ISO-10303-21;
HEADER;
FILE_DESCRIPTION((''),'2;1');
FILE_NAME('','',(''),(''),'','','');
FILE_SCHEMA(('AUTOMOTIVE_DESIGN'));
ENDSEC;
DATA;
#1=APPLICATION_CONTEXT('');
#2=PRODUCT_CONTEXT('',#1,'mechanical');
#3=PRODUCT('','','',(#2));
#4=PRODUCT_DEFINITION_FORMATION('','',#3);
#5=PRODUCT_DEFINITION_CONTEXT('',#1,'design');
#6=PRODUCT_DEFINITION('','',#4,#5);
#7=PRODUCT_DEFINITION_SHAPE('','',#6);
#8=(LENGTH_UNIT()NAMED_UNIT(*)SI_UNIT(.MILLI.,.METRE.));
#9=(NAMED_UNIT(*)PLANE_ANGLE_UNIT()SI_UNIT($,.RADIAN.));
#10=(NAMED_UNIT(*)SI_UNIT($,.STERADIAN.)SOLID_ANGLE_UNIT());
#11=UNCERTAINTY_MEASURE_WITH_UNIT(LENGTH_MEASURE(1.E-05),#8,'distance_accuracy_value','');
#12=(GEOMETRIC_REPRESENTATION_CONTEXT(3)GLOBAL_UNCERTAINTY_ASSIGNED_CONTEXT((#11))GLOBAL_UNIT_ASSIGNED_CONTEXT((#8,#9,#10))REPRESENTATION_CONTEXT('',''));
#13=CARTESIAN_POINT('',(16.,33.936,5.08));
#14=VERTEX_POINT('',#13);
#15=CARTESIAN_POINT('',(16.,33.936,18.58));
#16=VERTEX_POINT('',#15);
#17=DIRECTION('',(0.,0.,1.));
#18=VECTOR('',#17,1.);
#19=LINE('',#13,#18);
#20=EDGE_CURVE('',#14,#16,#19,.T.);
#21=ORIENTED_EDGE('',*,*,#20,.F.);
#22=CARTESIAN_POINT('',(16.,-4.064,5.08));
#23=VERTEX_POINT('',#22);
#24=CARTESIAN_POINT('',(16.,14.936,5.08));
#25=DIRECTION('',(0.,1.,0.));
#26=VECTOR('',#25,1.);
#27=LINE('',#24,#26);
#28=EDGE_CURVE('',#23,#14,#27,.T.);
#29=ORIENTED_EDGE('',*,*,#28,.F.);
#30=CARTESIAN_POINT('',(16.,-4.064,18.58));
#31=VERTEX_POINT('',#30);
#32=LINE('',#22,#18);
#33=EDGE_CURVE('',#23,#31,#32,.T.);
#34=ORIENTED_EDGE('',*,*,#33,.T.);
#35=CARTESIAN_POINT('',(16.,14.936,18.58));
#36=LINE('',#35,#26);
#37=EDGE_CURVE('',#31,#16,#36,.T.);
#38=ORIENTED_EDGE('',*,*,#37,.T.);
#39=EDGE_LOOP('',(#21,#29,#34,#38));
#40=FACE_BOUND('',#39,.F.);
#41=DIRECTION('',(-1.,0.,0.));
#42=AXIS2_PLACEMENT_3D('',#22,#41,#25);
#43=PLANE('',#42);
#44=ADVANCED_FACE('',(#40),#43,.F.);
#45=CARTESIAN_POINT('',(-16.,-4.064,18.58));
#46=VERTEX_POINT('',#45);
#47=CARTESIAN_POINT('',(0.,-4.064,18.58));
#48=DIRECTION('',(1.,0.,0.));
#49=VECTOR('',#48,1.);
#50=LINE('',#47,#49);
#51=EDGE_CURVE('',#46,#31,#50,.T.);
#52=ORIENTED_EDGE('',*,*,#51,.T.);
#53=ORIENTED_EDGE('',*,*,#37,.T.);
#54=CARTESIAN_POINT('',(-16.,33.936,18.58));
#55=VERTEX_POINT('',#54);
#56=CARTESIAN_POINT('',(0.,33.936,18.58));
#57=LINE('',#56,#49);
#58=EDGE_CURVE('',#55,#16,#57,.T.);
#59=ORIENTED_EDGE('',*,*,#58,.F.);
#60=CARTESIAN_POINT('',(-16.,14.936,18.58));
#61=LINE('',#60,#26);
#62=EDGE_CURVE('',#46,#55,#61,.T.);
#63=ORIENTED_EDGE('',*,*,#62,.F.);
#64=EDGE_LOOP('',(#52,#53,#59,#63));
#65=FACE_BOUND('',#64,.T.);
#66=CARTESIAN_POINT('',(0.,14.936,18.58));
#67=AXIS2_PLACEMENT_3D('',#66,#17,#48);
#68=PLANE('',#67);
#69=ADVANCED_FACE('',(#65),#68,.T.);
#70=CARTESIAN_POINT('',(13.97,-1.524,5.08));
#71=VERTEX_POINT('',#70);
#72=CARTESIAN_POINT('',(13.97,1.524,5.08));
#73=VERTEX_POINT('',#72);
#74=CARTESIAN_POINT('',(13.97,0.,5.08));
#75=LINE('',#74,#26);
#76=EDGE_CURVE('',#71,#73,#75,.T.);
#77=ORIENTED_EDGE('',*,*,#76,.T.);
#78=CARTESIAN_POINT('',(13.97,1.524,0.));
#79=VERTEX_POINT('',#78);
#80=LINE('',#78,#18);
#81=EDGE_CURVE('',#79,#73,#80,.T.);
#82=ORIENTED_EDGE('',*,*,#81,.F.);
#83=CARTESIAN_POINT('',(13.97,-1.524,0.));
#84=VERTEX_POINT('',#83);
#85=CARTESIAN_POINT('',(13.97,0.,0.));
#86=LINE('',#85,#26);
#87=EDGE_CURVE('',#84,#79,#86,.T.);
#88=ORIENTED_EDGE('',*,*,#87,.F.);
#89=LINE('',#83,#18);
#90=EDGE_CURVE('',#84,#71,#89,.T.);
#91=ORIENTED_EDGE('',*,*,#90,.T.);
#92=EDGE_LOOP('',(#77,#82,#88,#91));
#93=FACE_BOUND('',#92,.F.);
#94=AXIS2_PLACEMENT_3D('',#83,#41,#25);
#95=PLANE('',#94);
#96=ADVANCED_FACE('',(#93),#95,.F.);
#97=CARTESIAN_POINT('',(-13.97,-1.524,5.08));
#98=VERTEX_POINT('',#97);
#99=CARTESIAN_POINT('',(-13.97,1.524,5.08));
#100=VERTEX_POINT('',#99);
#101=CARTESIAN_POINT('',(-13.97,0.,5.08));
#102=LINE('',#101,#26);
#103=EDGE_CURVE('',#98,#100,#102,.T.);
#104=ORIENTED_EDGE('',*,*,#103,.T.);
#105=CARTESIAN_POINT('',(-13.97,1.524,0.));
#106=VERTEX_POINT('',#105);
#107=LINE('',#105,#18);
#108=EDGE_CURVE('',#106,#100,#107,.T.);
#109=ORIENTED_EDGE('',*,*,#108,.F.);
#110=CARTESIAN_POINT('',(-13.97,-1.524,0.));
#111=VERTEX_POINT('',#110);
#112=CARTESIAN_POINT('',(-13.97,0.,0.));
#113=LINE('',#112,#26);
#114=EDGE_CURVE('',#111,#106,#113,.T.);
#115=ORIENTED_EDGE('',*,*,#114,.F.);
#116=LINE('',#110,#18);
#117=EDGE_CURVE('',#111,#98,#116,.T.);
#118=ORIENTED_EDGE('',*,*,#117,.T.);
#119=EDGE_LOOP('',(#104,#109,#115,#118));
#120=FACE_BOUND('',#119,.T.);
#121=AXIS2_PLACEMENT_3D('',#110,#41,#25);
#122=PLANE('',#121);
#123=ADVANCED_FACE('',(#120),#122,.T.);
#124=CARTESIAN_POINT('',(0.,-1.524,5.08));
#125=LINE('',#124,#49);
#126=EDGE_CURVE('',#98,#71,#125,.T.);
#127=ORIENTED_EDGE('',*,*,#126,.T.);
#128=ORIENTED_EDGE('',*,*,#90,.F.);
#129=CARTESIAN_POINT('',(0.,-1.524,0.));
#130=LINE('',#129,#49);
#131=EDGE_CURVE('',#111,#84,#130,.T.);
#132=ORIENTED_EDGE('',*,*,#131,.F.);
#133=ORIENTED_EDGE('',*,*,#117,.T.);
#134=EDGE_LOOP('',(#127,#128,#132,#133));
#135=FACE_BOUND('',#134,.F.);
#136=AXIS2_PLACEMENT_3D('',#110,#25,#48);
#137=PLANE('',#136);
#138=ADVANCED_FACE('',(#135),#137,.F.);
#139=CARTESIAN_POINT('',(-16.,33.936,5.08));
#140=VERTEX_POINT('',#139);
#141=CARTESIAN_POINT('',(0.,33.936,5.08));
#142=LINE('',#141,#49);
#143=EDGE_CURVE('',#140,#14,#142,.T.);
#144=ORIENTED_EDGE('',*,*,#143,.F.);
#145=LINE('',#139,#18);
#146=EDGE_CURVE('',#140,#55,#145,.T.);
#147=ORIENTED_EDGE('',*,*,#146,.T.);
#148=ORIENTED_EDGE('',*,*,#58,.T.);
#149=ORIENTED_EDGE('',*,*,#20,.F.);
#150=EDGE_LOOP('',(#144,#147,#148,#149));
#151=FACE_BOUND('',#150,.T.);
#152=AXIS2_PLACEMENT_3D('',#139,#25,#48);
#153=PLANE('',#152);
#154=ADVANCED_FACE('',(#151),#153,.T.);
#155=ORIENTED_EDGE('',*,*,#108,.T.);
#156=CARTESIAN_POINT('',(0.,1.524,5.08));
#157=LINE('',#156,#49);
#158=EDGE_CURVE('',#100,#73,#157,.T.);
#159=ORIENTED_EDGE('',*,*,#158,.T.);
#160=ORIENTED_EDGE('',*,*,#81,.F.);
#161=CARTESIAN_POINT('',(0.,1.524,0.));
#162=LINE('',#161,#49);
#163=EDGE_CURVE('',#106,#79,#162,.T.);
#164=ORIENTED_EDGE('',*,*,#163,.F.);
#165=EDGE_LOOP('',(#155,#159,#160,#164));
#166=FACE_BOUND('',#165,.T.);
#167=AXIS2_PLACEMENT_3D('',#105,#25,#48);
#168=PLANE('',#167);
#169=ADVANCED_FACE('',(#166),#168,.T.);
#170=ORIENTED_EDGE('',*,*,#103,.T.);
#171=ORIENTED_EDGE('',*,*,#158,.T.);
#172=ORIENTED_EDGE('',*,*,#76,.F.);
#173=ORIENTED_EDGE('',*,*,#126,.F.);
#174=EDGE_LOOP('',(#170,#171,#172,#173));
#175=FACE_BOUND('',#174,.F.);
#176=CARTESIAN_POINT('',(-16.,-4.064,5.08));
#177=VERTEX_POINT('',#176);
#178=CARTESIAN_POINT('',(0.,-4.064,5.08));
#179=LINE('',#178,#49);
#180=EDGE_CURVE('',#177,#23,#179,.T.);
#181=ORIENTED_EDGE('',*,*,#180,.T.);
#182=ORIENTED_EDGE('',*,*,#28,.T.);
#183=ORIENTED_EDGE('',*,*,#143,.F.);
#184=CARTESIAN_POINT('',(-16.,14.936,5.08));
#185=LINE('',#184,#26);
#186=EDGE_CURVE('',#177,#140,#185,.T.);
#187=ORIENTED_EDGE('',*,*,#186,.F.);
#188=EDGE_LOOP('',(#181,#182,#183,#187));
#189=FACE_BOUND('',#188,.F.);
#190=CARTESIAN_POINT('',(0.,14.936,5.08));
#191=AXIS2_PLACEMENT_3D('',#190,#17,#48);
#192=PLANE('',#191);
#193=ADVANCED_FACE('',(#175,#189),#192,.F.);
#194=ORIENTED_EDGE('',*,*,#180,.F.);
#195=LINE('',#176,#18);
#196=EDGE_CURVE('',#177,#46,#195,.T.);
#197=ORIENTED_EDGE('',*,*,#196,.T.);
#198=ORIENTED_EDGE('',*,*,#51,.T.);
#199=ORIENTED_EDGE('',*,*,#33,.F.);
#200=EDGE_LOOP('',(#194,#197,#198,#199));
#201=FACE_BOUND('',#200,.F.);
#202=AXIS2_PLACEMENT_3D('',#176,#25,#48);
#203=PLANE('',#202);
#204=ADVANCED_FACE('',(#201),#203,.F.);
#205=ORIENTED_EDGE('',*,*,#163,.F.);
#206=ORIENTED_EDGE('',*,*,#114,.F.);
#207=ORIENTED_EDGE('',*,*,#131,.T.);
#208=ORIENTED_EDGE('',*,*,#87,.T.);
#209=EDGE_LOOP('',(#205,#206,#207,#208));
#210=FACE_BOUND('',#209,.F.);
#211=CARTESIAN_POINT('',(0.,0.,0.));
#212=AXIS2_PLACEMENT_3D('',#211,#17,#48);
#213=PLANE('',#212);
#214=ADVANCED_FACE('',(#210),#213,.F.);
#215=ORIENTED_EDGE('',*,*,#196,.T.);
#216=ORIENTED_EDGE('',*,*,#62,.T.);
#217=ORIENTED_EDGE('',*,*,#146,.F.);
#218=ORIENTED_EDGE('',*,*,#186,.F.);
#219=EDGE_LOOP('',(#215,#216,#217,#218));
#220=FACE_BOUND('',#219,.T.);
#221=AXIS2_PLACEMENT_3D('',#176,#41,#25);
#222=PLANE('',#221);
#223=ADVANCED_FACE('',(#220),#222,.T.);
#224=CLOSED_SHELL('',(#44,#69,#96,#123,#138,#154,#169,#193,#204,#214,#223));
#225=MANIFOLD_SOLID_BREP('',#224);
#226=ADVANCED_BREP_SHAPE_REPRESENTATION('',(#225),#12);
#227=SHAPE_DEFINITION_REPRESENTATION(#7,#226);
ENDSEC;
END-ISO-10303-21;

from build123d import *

# Parameters (mm, degrees)
F0_W     = 27.94
F0_H     = 3.048
F1_DEPTH = 5.08
F2_W     = 32
F2_H     = 38
F2_W_2   = 27.94
F2_H_2   = 3.048
F3_DEPTH = 13.5


with BuildPart() as f1:
    # F0 (on Top) → F1 (new body)
    with BuildSketch(Plane.XY):
        Rectangle(F0_W, F0_H)
    extrude(amount=F1_DEPTH)

    # F2 (on face) → F3 (join)
    with BuildSketch(Plane.XY.offset(5.08)):
        with Locations((0, 14.936)):
            Rectangle(F2_W, F2_H)
        Rectangle(F2_W_2, F2_H_2, mode=Mode.SUBTRACT)
        Rectangle(F2_W_2, F2_H_2)
    extrude(amount=F3_DEPTH)


solid = f1.part
